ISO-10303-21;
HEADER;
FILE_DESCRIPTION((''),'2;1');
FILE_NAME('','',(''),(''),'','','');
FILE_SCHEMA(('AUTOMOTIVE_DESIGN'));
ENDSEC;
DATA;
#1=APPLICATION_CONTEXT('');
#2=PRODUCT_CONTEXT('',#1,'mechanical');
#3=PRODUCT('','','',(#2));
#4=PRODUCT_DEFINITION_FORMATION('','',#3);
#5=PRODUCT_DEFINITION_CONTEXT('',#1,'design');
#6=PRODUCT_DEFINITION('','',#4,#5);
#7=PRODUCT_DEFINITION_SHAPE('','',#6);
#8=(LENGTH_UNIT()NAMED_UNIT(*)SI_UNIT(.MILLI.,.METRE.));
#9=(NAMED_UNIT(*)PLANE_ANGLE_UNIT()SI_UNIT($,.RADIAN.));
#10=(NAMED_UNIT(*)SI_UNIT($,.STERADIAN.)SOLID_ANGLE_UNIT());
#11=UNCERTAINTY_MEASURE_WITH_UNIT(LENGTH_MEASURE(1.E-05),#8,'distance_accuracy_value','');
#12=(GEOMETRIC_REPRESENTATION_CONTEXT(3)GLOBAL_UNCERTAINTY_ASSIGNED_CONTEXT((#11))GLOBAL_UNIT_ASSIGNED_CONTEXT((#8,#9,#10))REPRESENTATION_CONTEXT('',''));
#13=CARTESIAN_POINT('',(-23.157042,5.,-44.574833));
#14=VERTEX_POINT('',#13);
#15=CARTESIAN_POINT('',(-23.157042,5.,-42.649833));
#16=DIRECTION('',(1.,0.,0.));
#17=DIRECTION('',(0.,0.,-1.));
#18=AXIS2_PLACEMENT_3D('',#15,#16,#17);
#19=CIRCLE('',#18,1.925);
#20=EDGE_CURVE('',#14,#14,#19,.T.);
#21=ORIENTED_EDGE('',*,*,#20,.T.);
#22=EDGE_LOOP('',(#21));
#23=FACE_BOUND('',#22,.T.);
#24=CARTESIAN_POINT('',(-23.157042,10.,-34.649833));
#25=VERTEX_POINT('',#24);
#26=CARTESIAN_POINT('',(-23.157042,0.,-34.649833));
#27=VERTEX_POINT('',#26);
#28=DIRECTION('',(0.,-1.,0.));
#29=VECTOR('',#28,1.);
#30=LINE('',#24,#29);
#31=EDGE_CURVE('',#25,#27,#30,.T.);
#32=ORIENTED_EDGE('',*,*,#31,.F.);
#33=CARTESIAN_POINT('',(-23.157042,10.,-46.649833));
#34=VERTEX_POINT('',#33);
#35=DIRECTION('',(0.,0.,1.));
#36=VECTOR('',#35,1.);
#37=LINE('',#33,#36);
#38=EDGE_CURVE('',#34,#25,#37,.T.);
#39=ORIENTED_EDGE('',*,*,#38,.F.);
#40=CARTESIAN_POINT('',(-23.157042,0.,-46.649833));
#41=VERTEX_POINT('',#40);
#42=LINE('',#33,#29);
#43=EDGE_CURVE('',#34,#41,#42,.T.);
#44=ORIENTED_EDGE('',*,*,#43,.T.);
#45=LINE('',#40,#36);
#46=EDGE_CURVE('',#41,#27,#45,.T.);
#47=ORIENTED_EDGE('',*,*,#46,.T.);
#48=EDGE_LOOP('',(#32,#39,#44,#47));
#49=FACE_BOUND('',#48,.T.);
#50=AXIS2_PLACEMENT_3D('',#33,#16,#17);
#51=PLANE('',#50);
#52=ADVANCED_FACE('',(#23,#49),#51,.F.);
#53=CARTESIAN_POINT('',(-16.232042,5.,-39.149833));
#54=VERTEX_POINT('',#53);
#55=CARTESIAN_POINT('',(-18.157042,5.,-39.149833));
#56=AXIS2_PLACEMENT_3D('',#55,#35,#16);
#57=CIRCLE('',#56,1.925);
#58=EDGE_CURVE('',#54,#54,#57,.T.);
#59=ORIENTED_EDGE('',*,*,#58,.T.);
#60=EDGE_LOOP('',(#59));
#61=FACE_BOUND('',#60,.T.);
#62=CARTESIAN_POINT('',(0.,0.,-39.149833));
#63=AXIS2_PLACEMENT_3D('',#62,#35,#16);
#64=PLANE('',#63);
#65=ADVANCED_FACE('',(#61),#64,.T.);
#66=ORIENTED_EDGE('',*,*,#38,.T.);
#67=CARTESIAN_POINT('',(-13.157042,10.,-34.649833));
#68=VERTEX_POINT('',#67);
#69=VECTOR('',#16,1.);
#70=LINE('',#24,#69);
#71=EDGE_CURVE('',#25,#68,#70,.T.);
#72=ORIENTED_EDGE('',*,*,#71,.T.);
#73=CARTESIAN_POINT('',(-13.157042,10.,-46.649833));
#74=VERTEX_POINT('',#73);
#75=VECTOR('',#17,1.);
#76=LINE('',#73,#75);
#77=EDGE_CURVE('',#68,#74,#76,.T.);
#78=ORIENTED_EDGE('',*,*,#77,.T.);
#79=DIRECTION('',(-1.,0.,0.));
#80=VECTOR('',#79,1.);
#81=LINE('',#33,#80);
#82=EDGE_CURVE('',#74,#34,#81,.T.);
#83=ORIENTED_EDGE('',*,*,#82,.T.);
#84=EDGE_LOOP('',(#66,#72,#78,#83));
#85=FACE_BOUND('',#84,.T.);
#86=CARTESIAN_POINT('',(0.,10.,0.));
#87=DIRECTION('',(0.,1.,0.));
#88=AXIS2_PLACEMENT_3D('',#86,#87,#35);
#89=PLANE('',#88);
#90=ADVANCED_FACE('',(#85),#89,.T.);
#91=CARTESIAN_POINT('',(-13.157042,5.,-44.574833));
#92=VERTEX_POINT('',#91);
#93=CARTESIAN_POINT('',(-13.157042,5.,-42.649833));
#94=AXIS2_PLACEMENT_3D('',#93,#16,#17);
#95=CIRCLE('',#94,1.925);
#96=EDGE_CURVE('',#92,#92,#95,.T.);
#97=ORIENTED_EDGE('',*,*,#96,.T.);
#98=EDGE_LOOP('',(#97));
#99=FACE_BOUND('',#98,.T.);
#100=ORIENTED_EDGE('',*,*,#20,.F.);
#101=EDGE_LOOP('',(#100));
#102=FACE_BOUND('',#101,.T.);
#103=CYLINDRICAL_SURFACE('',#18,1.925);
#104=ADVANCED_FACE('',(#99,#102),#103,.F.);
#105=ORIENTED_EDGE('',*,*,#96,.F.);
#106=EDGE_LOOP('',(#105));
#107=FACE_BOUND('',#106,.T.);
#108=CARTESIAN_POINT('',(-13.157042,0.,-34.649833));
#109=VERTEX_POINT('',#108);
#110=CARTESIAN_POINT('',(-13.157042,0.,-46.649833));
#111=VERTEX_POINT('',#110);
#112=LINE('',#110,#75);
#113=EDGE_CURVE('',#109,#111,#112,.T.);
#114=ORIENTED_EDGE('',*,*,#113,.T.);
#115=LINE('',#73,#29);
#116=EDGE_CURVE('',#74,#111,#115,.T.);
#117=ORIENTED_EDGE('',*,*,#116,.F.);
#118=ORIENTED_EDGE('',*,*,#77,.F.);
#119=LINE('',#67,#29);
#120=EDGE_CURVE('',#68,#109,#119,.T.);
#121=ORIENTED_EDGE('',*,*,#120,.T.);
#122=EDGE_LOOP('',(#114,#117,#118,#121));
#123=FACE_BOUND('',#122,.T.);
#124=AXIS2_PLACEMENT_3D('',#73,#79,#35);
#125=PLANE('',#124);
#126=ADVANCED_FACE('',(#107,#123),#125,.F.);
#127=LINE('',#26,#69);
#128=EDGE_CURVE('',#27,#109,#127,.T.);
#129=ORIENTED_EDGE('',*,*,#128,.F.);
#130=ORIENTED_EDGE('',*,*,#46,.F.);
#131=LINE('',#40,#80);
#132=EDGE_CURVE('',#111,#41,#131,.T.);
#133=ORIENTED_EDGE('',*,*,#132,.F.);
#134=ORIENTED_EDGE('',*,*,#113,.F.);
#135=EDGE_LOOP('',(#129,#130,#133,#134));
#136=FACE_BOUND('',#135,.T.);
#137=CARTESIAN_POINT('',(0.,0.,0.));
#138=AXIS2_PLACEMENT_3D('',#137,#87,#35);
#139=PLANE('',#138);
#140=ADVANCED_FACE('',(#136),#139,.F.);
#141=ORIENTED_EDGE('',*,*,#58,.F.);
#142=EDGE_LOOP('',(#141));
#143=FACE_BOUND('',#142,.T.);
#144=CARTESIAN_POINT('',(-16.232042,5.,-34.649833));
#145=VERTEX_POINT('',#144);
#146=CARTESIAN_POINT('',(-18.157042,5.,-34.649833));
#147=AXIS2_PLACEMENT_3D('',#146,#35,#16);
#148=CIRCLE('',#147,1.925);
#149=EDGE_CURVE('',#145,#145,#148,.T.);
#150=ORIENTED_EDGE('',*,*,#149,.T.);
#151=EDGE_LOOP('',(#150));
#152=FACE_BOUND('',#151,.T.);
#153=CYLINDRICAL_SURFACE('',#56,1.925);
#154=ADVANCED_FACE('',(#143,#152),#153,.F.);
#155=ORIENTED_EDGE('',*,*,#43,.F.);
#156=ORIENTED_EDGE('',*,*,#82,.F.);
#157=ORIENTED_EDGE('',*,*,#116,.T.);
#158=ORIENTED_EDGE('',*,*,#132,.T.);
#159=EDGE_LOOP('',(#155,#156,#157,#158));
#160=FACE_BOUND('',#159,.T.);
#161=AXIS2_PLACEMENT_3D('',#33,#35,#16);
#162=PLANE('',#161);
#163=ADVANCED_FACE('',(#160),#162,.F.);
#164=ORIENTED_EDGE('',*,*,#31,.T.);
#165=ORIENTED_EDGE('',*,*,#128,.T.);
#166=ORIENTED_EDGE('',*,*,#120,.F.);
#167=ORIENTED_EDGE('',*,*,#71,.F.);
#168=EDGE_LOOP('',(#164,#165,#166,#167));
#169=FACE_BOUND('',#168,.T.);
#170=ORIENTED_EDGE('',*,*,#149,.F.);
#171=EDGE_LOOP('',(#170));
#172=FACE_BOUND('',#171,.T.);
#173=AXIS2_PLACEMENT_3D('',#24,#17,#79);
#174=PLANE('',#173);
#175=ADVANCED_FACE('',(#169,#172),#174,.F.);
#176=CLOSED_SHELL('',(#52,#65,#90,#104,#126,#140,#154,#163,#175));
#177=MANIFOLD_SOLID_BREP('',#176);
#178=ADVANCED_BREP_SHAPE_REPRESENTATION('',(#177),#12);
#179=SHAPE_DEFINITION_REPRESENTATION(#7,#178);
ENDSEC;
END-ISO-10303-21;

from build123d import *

# Parameters (mm, degrees)
SKETCH2_W           = 10
SKETCH2_H           = 12
BOSS_EXTRUDE1_DEPTH = 10
SKETCH3_R           = 1.925
CUT_EXTRUDE1_DEPTH  = 4.5
SKETCH4_R           = 1.925
CUT_EXTRUDE2_DEPTH  = 10


with BuildPart() as part:
    # Sketch2 → Boss-Extrude1 (new body)
    with BuildSketch(Plane(origin=(0, 0, 0), x_dir=(1, 0, 0), z_dir=(0, 1, 0))):
        with Locations((-18.157041848, 40.649833306)):
            Rectangle(SKETCH2_W, SKETCH2_H)
    extrude(amount=BOSS_EXTRUDE1_DEPTH)

    # Sketch3 → Cut-Extrude1 (cut)
    with BuildSketch(Plane.XY.offset(-34.649833306)):
        with Locations((-18.157041848, 5)):
            Circle(SKETCH3_R)
    extrude(amount=-CUT_EXTRUDE1_DEPTH, mode=Mode.SUBTRACT)

    # Sketch4 → Cut-Extrude2 (cut)
    with BuildSketch(Plane(origin=(-13.157041848, 0, 0), x_dir=(0, 0, -1), z_dir=(1, 0, 0))):
        with Locations((42.649833306, 5)):
            Circle(SKETCH4_R)
    extrude(amount=-CUT_EXTRUDE2_DEPTH, mode=Mode.SUBTRACT)


solid = part.part
